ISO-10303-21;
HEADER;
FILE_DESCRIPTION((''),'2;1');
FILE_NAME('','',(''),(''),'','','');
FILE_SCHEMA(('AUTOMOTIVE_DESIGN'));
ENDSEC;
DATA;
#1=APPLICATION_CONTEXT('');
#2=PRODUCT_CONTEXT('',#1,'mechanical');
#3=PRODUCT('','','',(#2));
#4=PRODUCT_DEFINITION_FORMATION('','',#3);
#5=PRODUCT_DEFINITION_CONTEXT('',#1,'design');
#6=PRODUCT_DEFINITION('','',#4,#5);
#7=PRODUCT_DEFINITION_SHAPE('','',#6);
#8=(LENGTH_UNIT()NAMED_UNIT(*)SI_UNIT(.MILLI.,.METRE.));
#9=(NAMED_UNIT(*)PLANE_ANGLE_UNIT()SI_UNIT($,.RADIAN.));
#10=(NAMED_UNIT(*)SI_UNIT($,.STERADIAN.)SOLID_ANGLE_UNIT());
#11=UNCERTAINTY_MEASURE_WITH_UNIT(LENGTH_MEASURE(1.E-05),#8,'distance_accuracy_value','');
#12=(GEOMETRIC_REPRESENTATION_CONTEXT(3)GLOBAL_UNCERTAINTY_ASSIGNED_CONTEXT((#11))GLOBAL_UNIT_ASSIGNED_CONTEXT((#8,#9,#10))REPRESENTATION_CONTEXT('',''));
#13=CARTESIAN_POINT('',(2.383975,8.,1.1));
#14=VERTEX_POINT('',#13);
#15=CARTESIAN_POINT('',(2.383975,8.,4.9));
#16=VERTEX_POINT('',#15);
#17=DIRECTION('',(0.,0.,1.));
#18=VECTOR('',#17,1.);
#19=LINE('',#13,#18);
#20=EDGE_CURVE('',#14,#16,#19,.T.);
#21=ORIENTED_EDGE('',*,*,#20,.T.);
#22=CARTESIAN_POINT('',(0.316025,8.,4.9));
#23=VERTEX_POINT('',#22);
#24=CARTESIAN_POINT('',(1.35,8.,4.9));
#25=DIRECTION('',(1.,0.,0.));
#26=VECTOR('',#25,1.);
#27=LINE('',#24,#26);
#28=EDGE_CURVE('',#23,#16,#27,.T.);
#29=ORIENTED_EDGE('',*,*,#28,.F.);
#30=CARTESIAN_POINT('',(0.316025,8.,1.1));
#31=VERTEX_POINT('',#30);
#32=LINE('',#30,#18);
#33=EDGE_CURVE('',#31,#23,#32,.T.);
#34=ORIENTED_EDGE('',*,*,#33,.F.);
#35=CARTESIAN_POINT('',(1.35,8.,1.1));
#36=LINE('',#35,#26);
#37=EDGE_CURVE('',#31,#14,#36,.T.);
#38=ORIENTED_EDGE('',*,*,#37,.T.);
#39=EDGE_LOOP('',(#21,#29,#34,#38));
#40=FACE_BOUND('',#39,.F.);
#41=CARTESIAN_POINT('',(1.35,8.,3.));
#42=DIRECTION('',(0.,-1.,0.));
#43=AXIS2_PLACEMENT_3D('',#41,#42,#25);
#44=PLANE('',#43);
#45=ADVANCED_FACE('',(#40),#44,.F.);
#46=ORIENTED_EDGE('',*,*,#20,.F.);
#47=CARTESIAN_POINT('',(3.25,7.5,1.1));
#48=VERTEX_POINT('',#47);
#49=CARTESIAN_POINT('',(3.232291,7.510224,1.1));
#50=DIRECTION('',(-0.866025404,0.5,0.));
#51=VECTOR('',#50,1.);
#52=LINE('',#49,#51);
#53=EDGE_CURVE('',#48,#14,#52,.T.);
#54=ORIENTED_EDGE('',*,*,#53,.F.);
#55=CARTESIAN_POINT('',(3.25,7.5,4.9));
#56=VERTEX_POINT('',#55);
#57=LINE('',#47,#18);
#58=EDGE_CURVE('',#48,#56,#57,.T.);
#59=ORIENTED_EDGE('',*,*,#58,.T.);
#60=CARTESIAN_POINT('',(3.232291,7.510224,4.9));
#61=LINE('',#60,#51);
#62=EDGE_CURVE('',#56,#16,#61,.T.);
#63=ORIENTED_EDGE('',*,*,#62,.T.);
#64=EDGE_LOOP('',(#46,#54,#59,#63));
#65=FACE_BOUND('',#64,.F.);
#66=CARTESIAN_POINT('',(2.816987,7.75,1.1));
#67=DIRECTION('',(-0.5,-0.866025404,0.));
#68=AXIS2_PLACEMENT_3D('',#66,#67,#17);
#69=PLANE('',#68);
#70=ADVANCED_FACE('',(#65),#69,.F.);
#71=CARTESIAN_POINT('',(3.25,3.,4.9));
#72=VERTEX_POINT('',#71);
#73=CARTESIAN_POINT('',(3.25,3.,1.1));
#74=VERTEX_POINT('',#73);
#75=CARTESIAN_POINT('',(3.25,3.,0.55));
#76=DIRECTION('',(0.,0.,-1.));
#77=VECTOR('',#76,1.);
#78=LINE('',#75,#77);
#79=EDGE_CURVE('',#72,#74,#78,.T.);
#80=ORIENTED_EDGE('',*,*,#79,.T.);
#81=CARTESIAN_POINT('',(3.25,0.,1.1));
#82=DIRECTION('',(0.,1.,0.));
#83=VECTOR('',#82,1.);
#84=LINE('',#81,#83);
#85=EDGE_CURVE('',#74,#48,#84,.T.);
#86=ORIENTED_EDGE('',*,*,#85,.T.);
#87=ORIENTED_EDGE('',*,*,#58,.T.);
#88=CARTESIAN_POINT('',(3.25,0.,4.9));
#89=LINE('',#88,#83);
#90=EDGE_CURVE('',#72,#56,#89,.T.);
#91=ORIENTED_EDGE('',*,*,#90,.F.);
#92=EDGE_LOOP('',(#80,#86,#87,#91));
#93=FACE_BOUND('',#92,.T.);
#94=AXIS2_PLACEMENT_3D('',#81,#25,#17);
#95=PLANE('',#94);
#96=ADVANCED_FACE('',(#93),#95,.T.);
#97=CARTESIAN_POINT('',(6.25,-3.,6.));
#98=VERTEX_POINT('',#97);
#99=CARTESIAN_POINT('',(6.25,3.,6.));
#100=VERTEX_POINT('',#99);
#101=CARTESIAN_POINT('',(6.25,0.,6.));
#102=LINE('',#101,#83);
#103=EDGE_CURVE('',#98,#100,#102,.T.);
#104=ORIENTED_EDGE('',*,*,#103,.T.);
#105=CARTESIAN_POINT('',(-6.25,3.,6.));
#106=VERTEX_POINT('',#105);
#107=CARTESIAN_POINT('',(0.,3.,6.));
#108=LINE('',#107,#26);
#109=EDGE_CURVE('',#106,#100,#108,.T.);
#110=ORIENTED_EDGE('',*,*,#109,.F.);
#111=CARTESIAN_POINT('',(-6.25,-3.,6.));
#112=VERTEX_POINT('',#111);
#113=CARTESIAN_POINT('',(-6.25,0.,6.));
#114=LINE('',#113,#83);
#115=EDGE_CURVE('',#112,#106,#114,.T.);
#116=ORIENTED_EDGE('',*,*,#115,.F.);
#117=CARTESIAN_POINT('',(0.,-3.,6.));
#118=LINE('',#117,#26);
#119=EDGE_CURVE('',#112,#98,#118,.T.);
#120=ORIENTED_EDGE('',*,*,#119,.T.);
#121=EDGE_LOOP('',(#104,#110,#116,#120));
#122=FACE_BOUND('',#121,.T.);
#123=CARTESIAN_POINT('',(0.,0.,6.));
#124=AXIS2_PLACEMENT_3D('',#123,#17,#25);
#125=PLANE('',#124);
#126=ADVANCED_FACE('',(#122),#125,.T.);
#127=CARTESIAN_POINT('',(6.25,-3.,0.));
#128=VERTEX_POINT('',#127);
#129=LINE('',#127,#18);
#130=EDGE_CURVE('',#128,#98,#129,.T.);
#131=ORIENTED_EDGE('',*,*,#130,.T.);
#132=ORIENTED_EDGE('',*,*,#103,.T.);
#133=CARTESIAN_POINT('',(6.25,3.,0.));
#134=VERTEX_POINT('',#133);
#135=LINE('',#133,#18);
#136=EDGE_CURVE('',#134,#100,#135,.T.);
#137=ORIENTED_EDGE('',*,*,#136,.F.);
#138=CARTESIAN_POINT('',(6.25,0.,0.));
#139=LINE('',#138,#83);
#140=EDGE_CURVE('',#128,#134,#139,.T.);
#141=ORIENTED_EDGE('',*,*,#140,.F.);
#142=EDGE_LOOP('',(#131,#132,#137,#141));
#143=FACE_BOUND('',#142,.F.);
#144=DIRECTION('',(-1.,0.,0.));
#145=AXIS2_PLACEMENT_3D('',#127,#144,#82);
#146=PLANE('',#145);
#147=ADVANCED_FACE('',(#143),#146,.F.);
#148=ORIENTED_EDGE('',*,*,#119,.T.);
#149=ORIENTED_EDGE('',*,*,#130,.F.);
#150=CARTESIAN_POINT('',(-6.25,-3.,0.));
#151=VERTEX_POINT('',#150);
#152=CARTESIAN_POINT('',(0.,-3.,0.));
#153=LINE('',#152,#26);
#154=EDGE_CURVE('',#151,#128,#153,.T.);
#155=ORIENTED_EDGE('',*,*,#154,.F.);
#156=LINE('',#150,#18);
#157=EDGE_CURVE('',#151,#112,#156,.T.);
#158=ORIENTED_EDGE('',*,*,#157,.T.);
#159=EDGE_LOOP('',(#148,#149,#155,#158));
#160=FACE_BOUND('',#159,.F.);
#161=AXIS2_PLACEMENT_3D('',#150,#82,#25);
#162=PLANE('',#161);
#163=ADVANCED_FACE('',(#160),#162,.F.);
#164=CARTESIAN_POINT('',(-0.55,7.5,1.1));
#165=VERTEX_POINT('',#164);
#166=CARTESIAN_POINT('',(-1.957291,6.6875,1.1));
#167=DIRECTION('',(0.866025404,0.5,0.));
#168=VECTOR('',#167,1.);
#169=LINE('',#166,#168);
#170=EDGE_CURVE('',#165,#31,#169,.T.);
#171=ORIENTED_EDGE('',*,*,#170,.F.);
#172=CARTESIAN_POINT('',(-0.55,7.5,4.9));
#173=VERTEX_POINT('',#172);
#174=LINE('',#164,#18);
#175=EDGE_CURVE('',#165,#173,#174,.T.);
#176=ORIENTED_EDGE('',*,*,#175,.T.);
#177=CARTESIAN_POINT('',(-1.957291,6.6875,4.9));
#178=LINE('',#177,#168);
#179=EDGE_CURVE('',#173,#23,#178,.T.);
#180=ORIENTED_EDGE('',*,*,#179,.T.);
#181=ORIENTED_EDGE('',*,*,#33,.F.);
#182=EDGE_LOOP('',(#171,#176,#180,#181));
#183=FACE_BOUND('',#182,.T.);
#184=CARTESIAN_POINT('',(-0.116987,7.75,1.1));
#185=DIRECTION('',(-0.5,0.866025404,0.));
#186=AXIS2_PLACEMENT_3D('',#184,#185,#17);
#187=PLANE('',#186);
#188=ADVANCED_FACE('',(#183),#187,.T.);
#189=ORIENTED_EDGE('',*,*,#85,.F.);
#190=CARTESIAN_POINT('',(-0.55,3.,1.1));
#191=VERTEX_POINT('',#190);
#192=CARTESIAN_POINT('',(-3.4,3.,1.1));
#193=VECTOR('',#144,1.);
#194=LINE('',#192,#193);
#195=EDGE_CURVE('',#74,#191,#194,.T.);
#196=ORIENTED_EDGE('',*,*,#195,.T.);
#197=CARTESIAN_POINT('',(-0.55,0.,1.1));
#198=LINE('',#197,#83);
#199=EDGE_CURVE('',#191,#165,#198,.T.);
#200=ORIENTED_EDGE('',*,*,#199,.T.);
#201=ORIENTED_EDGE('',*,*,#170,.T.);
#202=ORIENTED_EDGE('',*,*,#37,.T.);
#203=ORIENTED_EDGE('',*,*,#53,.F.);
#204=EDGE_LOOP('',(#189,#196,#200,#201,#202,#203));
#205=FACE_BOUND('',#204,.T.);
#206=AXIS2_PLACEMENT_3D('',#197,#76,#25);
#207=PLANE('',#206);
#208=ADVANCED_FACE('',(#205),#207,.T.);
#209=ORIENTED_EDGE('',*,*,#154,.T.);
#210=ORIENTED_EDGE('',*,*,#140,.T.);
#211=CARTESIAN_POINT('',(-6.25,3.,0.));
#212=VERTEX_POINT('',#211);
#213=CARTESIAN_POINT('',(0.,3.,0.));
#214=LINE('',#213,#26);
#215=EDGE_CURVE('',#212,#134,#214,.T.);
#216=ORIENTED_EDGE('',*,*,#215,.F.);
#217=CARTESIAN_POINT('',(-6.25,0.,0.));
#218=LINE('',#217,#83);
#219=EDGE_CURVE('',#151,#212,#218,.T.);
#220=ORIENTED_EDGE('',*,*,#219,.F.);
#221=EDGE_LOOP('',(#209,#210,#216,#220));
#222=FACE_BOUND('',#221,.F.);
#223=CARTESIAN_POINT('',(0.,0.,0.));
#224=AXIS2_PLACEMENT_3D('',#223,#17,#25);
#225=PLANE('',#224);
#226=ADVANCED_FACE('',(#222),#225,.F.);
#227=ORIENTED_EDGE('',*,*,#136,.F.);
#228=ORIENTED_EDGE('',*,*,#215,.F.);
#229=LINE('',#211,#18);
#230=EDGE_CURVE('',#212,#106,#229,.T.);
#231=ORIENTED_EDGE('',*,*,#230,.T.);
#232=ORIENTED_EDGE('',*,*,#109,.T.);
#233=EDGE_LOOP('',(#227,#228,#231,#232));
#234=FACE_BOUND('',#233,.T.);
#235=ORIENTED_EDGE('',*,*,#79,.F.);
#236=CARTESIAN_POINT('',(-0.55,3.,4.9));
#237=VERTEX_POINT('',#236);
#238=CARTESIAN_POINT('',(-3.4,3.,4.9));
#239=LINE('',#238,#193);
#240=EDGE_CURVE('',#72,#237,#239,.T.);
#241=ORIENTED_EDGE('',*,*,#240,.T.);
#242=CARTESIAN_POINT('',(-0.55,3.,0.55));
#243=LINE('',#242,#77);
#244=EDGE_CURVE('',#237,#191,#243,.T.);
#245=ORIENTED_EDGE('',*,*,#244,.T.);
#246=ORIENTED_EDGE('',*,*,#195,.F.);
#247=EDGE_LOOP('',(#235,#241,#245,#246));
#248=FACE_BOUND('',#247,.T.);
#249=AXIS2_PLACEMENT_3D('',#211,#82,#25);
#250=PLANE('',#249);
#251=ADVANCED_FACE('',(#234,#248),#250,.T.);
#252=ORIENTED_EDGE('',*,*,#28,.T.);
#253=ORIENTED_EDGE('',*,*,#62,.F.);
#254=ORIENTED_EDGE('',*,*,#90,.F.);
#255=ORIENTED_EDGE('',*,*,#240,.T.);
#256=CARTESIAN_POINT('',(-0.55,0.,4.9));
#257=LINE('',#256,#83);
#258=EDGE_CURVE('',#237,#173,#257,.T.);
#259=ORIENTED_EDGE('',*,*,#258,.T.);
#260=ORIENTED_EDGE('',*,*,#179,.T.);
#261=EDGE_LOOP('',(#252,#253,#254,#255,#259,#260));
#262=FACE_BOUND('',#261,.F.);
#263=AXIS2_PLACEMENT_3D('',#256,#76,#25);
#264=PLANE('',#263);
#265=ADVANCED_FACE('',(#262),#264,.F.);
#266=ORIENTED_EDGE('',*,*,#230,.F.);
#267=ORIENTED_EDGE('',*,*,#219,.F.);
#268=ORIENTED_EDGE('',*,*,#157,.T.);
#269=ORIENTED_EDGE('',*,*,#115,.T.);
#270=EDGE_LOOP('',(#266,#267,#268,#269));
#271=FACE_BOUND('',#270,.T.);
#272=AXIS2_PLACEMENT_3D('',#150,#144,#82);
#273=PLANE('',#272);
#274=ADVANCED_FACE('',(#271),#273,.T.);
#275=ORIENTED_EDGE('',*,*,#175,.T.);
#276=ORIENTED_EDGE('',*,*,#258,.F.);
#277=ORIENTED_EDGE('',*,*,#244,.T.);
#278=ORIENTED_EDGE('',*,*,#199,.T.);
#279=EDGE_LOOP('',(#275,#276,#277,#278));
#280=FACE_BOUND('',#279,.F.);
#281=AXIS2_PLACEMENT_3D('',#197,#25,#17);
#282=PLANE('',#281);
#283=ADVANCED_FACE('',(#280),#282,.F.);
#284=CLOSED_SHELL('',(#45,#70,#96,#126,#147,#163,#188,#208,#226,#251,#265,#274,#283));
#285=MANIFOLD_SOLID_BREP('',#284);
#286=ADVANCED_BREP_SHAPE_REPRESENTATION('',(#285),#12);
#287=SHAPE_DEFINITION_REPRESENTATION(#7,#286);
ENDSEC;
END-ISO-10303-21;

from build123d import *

# Parameters (mm, degrees)
SKETCH_W        = 12.5
SKETCH_H        = 6
PAD001_DEPTH    = 6
SKETCH006_W     = 3.8
SKETCH006_H     = 3.8
PAD002_DEPTH    = 8
CHAMFER_1_ANGLE = 60
CHAMFER_1_SIZE  = 0.5
CHAMFER_2_ANGLE = 60
CHAMFER_2_SIZE  = 0.5


with BuildPart() as part:
    # Sketch → Pad001 (new body)
    with BuildSketch(Plane.XY):
        Rectangle(SKETCH_W, SKETCH_H)
    extrude(amount=PAD001_DEPTH)

    # Sketch006 → Pad002 (join)
    with BuildSketch(Plane.XZ):
        with Locations((1.35, 3)):
            Rectangle(SKETCH006_W, SKETCH006_H)
    extrude(amount=-PAD002_DEPTH)

    # Chamfer 1
    chamfer_1_edges = [part.edges().sort_by_distance(p)[0] for p in [
        (3.25, 8, 3),
    ]]
    chamfer_1_side = part.faces().sort_by_distance((3.25, 5.5, 3))[0]
    chamfer(chamfer_1_edges, length=CHAMFER_1_SIZE, angle=CHAMFER_1_ANGLE, reference=chamfer_1_side)

    # Chamfer 2
    chamfer_2_edges = [part.edges().sort_by_distance(p)[0] for p in [
        (-0.55, 8, 3),
    ]]
    chamfer_2_side = part.faces().sort_by_distance((-0.55, 5.5, 3))[0]
    chamfer(chamfer_2_edges, length=CHAMFER_2_SIZE, angle=CHAMFER_2_ANGLE, reference=chamfer_2_side)


solid = part.part
